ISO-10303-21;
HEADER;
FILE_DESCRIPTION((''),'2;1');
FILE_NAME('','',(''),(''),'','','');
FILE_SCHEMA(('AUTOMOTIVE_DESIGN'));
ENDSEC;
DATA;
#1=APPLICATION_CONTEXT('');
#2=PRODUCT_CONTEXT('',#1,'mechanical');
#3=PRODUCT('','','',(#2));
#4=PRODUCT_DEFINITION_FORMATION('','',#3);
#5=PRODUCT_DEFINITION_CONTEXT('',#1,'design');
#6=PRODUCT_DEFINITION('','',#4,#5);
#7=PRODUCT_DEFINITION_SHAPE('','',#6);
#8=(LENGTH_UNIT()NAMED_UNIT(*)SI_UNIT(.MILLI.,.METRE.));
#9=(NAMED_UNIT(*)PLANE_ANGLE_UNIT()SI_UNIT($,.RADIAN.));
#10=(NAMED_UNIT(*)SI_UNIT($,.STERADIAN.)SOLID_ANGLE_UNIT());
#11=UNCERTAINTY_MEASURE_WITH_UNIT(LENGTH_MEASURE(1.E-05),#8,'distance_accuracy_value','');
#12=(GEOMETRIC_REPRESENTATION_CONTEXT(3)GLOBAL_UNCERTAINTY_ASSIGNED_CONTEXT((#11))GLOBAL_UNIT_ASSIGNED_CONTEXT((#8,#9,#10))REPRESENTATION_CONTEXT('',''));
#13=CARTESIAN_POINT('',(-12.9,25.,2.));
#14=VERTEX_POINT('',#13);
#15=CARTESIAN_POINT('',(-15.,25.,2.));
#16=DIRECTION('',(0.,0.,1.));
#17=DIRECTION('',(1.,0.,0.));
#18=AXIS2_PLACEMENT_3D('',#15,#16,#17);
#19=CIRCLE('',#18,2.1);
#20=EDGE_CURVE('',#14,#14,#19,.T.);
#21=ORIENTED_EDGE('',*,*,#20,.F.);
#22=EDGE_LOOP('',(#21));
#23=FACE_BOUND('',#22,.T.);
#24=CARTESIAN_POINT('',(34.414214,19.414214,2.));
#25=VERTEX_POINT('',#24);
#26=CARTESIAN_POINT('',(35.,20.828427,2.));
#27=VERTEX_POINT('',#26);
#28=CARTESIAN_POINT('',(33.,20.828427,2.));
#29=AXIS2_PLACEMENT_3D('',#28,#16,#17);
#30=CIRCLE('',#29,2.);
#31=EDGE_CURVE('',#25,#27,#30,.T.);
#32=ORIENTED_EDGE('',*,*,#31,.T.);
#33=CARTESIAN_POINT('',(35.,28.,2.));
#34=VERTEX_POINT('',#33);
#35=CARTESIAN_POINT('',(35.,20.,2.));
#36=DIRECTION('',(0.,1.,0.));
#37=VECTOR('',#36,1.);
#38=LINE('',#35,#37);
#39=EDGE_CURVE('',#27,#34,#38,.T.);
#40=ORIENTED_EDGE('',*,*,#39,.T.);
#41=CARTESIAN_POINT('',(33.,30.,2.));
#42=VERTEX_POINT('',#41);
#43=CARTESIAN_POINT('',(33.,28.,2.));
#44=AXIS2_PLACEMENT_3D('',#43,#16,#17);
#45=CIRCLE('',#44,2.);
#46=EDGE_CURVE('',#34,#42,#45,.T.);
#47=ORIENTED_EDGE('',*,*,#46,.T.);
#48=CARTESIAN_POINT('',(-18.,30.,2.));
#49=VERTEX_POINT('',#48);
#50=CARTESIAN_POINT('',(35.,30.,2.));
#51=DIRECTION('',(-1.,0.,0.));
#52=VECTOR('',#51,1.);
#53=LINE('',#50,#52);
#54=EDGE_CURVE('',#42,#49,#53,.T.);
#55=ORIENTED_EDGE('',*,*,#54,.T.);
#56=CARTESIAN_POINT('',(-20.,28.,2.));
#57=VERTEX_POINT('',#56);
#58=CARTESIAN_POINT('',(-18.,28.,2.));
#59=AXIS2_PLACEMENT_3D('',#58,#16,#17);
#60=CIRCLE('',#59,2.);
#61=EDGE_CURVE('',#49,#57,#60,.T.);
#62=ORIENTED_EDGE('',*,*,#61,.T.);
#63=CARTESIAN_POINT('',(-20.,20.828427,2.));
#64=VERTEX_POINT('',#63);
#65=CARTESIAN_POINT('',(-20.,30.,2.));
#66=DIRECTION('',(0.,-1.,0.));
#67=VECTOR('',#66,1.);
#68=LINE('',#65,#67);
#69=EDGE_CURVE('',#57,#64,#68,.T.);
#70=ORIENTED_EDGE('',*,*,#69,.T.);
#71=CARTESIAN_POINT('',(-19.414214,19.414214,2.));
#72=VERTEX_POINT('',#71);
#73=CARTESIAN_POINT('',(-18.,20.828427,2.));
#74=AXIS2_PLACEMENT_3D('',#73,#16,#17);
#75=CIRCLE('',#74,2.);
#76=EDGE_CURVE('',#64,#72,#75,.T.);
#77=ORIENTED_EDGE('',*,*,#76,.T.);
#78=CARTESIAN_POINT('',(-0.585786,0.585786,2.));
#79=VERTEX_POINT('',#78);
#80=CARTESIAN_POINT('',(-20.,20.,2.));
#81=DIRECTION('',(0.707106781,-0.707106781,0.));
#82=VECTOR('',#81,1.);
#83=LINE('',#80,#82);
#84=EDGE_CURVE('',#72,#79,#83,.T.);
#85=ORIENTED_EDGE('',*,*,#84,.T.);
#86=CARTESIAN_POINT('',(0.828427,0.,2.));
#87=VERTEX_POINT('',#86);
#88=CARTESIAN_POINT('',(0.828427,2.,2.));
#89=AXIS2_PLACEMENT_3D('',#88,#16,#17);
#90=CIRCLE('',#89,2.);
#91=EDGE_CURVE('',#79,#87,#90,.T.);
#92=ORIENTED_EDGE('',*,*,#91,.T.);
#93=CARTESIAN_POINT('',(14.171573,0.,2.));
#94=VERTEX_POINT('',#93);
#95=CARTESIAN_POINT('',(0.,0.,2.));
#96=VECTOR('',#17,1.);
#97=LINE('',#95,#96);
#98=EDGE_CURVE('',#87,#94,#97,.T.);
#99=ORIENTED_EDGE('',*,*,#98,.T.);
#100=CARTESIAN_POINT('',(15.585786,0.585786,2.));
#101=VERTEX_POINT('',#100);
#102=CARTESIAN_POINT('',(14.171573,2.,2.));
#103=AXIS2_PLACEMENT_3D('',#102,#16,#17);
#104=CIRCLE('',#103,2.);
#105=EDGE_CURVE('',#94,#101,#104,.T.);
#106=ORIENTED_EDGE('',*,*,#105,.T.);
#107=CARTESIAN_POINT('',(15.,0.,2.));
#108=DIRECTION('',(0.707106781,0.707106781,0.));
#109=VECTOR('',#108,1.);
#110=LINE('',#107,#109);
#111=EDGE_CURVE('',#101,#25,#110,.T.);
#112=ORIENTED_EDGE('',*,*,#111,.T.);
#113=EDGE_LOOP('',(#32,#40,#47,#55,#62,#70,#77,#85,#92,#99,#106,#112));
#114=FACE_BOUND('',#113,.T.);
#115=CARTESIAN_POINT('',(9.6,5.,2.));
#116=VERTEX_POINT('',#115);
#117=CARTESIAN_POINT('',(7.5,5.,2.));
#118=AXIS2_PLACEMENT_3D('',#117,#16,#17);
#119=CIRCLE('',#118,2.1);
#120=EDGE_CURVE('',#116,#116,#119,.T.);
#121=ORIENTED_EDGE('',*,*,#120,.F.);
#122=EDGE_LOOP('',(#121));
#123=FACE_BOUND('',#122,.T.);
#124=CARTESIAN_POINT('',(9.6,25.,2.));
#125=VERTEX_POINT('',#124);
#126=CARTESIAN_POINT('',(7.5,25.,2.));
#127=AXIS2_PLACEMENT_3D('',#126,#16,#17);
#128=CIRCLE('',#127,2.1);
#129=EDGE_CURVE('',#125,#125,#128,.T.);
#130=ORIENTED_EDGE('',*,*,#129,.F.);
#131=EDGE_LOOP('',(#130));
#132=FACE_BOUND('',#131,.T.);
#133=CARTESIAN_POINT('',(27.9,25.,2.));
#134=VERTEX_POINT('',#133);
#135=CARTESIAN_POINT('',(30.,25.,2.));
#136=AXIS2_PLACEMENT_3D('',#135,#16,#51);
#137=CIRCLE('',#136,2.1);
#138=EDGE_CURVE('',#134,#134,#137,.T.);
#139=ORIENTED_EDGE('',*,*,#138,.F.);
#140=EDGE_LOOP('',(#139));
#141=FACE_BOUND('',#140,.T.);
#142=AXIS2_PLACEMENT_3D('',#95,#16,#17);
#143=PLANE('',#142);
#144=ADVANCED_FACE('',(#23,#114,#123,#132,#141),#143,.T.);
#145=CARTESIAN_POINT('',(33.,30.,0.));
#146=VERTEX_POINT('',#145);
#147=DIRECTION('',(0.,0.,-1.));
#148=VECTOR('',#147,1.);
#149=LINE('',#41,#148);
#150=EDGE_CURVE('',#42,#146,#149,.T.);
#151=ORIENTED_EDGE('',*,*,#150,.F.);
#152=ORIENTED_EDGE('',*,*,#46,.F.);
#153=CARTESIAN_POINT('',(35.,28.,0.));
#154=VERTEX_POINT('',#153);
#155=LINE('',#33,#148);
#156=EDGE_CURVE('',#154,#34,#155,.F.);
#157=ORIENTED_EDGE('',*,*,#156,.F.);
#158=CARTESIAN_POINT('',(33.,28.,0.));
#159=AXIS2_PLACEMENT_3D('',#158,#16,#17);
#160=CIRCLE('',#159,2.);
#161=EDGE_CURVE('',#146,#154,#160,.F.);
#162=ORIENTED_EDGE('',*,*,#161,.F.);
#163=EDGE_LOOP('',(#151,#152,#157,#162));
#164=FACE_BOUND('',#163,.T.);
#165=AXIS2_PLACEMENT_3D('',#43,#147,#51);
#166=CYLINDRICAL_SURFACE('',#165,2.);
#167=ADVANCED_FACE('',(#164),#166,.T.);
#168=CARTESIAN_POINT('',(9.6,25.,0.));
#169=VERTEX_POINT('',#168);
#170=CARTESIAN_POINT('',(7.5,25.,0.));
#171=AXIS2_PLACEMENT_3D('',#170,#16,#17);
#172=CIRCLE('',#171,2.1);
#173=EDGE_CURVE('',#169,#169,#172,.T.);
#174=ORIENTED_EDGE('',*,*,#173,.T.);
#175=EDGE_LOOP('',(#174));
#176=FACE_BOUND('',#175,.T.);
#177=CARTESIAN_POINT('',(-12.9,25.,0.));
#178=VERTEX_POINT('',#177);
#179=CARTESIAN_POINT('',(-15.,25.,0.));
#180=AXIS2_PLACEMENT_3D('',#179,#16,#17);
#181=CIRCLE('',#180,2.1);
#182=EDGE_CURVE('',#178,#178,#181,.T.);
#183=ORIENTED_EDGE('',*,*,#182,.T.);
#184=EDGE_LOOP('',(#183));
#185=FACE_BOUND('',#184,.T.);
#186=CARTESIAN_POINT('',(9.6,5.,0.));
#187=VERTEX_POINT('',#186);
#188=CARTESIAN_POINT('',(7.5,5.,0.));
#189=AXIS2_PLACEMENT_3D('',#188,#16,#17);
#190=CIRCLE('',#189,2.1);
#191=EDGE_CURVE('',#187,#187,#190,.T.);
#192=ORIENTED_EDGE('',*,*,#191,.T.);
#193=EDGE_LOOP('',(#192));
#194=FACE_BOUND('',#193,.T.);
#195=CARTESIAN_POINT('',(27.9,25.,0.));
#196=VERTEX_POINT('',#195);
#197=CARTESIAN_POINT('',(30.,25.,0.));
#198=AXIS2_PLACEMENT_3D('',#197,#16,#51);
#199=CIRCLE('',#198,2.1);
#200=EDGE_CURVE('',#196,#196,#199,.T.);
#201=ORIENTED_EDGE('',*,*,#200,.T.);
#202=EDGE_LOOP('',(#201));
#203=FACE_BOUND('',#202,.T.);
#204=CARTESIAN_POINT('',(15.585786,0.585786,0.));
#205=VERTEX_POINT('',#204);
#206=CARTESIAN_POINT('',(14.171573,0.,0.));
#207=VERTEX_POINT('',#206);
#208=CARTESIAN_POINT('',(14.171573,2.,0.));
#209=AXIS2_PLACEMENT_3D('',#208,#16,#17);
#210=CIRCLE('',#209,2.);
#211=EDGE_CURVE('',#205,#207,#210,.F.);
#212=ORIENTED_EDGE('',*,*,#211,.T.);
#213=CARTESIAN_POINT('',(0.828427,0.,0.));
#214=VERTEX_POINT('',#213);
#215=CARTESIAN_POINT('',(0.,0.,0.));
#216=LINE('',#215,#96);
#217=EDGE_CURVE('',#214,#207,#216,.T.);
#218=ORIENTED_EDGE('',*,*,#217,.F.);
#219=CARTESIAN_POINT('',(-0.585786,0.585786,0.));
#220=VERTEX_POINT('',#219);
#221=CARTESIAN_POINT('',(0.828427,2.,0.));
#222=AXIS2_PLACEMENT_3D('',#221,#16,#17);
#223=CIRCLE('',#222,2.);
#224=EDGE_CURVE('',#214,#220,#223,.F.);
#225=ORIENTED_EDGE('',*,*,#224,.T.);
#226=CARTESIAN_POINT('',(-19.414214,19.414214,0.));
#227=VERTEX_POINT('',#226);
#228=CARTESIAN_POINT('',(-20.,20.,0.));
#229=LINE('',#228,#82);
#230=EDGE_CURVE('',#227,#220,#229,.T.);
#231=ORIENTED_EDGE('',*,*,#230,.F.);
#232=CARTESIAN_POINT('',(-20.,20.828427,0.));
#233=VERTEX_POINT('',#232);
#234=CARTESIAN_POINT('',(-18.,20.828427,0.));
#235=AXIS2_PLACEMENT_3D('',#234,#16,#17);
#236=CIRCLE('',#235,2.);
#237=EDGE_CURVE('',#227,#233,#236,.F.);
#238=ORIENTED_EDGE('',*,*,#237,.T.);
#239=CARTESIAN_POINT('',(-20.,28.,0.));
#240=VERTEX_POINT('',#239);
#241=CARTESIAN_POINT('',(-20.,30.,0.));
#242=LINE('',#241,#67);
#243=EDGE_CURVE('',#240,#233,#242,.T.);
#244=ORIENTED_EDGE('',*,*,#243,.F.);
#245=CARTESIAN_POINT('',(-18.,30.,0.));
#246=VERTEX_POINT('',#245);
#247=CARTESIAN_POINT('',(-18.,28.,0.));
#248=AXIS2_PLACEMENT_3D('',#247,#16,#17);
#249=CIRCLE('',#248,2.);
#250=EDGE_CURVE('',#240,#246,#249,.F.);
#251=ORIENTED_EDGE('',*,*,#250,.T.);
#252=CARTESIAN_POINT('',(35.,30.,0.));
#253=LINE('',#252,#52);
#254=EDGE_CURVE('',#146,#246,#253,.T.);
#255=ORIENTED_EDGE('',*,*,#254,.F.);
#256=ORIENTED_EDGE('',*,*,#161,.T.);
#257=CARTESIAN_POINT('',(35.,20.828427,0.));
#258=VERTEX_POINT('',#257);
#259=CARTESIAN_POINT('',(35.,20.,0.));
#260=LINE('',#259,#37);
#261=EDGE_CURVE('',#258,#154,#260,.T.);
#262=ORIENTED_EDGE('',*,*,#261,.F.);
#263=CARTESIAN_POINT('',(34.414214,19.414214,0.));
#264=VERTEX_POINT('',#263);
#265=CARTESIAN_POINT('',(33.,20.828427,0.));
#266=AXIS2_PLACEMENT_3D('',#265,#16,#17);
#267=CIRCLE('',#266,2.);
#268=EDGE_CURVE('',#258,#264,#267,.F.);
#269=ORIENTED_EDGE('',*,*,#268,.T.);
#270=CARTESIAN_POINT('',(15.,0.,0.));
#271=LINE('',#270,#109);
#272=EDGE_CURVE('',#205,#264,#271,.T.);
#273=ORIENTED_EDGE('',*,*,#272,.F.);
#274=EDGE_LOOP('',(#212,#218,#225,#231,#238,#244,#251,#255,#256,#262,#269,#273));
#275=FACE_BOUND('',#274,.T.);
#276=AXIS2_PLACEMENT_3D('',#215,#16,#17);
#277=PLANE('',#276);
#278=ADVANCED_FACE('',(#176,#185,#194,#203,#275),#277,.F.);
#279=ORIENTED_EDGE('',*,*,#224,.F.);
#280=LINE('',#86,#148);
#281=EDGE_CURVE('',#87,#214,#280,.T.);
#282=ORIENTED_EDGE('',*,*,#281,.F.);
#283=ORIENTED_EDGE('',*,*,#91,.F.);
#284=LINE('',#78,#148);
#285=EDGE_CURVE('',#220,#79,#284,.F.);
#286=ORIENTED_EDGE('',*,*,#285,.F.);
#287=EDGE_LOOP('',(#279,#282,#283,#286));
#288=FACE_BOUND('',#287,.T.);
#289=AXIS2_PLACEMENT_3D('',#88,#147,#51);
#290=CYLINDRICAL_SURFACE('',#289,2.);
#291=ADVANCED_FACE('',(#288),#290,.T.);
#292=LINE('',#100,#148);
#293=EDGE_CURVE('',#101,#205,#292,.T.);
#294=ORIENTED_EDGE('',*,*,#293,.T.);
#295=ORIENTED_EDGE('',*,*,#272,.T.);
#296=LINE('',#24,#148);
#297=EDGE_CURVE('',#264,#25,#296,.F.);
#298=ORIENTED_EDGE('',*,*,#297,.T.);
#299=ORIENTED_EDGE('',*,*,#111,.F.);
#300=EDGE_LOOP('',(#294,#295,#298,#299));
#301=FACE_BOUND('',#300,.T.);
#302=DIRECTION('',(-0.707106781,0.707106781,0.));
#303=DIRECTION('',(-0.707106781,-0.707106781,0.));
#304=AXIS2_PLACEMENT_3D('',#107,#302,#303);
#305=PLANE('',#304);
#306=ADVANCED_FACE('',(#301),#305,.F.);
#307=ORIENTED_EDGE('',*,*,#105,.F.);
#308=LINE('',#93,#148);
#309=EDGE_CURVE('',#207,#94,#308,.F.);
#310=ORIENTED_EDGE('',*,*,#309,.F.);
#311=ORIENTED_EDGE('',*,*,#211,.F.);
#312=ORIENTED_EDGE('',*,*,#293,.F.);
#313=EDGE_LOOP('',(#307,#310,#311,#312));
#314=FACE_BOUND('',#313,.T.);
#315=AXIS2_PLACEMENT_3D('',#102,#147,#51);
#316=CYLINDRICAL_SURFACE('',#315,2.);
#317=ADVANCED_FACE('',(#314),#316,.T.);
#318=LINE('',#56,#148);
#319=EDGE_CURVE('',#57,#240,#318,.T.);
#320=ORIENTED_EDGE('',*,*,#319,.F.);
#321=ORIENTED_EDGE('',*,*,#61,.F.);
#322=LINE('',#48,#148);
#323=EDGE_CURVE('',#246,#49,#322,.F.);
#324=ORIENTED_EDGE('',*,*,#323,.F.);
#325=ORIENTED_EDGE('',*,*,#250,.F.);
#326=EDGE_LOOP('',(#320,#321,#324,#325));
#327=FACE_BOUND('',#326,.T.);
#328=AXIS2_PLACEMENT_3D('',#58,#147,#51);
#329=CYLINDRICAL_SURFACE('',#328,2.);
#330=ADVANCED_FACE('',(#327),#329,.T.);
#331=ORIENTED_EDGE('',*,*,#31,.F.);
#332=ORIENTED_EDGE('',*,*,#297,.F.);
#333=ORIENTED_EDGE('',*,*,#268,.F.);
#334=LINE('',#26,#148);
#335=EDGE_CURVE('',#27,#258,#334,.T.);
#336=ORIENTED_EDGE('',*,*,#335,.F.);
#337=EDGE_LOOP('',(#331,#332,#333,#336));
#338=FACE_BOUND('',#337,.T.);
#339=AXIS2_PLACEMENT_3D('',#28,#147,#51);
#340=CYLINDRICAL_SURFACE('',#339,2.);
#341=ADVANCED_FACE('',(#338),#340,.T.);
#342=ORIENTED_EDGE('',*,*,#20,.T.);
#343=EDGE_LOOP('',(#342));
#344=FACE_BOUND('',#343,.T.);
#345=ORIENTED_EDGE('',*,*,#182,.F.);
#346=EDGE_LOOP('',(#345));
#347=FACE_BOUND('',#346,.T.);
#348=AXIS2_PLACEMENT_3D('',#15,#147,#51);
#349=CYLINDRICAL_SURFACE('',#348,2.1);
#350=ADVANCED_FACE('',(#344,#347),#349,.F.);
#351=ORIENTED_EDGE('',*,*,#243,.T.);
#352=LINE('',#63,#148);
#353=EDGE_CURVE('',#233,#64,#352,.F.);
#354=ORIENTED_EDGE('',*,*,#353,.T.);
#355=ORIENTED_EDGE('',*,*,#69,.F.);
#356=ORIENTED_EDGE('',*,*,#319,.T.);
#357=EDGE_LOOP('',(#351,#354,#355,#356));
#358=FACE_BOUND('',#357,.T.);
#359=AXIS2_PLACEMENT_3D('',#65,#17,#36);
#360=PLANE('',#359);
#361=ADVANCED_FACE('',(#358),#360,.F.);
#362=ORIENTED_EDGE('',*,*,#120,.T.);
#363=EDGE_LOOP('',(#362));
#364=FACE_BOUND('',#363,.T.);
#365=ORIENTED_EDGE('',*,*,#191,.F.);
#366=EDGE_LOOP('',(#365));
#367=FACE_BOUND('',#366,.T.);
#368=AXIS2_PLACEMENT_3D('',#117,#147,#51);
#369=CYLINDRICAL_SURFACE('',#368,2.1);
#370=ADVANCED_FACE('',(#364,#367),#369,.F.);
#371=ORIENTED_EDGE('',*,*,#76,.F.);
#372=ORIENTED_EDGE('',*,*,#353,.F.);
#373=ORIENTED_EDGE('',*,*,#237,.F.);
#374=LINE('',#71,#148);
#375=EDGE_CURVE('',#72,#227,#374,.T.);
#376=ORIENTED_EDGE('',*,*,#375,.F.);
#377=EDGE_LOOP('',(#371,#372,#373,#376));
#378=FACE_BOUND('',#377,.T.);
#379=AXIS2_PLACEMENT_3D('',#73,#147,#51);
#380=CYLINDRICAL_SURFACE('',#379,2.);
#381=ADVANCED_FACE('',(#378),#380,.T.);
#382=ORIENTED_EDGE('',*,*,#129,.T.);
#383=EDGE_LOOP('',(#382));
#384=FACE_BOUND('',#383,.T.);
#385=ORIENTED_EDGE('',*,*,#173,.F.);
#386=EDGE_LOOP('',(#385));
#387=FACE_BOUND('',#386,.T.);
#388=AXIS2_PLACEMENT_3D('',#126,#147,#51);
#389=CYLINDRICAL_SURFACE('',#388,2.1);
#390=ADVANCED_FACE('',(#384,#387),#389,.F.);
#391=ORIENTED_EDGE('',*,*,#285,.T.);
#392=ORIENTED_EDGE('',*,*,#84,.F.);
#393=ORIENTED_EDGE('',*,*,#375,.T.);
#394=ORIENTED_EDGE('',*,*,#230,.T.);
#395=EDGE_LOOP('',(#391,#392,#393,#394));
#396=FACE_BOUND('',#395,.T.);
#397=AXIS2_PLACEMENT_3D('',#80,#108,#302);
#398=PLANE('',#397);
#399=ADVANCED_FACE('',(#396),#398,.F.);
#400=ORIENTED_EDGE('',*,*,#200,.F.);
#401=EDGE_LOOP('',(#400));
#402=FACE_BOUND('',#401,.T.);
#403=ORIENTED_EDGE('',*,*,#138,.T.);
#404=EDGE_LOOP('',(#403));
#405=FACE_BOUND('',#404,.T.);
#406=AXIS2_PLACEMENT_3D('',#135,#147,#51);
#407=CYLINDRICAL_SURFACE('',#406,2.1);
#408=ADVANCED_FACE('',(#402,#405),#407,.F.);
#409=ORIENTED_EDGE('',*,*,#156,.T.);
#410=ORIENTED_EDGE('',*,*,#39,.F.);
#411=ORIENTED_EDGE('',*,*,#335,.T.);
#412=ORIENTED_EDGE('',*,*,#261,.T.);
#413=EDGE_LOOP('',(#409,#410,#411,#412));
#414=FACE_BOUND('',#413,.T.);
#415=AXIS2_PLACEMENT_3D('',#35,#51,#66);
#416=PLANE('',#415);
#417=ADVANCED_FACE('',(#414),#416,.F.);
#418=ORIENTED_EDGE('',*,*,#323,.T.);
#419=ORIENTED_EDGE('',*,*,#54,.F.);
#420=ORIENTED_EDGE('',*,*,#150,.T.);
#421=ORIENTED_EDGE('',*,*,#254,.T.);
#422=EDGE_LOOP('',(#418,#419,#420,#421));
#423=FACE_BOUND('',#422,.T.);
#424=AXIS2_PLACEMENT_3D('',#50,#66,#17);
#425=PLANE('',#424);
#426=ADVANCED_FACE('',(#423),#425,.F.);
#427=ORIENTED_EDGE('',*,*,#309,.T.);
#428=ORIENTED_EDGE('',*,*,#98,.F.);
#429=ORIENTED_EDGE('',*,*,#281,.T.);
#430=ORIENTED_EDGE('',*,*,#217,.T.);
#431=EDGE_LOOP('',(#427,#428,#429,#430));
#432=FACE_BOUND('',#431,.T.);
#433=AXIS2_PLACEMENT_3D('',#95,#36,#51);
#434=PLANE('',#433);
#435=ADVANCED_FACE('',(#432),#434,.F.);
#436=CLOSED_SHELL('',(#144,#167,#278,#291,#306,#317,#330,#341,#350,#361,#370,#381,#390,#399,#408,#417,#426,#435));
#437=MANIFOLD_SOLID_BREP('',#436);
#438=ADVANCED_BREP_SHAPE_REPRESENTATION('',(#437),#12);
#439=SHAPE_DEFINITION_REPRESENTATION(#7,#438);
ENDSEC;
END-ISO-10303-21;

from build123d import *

# Parameters (mm, degrees)
SKETCH_1_R      = 2.1
EXTRUDE_1_DEPTH = 2
FILLET_1_R      = 2


with BuildPart() as part:
    # ｽｹｯﾁ1 → ﾎﾞｽ - 押し出し1 (new body)
    with BuildSketch(Plane.XY):
        Polygon((0, 0), (15, 0), (35, 20), (35, 30), (-20, 30), (-20, 20), align=None)
        with Locations((-15, 25)):
            Circle(SKETCH_1_R, mode=Mode.SUBTRACT)
        with Locations(Location((30, 25, 0), (0, 0, 180))):
            Circle(SKETCH_1_R, mode=Mode.SUBTRACT)
        with Locations((7.5, 25)):
            Circle(SKETCH_1_R, mode=Mode.SUBTRACT)
        with Locations((7.5, 5)):
            Circle(SKETCH_1_R, mode=Mode.SUBTRACT)
    extrude(amount=EXTRUDE_1_DEPTH)

    # ﾌｨﾚｯﾄ1
    fillet_1_edges = [part.edges().sort_by_distance(p)[0] for p in [
        (-20, 20, 1),
        (-20, 30, 1),
        (35, 30, 1),
        (35, 20, 1),
        (15, 0, 1),
        (0, 0, 1),
    ]]
    fillet(fillet_1_edges, radius=FILLET_1_R)


solid = part.part
